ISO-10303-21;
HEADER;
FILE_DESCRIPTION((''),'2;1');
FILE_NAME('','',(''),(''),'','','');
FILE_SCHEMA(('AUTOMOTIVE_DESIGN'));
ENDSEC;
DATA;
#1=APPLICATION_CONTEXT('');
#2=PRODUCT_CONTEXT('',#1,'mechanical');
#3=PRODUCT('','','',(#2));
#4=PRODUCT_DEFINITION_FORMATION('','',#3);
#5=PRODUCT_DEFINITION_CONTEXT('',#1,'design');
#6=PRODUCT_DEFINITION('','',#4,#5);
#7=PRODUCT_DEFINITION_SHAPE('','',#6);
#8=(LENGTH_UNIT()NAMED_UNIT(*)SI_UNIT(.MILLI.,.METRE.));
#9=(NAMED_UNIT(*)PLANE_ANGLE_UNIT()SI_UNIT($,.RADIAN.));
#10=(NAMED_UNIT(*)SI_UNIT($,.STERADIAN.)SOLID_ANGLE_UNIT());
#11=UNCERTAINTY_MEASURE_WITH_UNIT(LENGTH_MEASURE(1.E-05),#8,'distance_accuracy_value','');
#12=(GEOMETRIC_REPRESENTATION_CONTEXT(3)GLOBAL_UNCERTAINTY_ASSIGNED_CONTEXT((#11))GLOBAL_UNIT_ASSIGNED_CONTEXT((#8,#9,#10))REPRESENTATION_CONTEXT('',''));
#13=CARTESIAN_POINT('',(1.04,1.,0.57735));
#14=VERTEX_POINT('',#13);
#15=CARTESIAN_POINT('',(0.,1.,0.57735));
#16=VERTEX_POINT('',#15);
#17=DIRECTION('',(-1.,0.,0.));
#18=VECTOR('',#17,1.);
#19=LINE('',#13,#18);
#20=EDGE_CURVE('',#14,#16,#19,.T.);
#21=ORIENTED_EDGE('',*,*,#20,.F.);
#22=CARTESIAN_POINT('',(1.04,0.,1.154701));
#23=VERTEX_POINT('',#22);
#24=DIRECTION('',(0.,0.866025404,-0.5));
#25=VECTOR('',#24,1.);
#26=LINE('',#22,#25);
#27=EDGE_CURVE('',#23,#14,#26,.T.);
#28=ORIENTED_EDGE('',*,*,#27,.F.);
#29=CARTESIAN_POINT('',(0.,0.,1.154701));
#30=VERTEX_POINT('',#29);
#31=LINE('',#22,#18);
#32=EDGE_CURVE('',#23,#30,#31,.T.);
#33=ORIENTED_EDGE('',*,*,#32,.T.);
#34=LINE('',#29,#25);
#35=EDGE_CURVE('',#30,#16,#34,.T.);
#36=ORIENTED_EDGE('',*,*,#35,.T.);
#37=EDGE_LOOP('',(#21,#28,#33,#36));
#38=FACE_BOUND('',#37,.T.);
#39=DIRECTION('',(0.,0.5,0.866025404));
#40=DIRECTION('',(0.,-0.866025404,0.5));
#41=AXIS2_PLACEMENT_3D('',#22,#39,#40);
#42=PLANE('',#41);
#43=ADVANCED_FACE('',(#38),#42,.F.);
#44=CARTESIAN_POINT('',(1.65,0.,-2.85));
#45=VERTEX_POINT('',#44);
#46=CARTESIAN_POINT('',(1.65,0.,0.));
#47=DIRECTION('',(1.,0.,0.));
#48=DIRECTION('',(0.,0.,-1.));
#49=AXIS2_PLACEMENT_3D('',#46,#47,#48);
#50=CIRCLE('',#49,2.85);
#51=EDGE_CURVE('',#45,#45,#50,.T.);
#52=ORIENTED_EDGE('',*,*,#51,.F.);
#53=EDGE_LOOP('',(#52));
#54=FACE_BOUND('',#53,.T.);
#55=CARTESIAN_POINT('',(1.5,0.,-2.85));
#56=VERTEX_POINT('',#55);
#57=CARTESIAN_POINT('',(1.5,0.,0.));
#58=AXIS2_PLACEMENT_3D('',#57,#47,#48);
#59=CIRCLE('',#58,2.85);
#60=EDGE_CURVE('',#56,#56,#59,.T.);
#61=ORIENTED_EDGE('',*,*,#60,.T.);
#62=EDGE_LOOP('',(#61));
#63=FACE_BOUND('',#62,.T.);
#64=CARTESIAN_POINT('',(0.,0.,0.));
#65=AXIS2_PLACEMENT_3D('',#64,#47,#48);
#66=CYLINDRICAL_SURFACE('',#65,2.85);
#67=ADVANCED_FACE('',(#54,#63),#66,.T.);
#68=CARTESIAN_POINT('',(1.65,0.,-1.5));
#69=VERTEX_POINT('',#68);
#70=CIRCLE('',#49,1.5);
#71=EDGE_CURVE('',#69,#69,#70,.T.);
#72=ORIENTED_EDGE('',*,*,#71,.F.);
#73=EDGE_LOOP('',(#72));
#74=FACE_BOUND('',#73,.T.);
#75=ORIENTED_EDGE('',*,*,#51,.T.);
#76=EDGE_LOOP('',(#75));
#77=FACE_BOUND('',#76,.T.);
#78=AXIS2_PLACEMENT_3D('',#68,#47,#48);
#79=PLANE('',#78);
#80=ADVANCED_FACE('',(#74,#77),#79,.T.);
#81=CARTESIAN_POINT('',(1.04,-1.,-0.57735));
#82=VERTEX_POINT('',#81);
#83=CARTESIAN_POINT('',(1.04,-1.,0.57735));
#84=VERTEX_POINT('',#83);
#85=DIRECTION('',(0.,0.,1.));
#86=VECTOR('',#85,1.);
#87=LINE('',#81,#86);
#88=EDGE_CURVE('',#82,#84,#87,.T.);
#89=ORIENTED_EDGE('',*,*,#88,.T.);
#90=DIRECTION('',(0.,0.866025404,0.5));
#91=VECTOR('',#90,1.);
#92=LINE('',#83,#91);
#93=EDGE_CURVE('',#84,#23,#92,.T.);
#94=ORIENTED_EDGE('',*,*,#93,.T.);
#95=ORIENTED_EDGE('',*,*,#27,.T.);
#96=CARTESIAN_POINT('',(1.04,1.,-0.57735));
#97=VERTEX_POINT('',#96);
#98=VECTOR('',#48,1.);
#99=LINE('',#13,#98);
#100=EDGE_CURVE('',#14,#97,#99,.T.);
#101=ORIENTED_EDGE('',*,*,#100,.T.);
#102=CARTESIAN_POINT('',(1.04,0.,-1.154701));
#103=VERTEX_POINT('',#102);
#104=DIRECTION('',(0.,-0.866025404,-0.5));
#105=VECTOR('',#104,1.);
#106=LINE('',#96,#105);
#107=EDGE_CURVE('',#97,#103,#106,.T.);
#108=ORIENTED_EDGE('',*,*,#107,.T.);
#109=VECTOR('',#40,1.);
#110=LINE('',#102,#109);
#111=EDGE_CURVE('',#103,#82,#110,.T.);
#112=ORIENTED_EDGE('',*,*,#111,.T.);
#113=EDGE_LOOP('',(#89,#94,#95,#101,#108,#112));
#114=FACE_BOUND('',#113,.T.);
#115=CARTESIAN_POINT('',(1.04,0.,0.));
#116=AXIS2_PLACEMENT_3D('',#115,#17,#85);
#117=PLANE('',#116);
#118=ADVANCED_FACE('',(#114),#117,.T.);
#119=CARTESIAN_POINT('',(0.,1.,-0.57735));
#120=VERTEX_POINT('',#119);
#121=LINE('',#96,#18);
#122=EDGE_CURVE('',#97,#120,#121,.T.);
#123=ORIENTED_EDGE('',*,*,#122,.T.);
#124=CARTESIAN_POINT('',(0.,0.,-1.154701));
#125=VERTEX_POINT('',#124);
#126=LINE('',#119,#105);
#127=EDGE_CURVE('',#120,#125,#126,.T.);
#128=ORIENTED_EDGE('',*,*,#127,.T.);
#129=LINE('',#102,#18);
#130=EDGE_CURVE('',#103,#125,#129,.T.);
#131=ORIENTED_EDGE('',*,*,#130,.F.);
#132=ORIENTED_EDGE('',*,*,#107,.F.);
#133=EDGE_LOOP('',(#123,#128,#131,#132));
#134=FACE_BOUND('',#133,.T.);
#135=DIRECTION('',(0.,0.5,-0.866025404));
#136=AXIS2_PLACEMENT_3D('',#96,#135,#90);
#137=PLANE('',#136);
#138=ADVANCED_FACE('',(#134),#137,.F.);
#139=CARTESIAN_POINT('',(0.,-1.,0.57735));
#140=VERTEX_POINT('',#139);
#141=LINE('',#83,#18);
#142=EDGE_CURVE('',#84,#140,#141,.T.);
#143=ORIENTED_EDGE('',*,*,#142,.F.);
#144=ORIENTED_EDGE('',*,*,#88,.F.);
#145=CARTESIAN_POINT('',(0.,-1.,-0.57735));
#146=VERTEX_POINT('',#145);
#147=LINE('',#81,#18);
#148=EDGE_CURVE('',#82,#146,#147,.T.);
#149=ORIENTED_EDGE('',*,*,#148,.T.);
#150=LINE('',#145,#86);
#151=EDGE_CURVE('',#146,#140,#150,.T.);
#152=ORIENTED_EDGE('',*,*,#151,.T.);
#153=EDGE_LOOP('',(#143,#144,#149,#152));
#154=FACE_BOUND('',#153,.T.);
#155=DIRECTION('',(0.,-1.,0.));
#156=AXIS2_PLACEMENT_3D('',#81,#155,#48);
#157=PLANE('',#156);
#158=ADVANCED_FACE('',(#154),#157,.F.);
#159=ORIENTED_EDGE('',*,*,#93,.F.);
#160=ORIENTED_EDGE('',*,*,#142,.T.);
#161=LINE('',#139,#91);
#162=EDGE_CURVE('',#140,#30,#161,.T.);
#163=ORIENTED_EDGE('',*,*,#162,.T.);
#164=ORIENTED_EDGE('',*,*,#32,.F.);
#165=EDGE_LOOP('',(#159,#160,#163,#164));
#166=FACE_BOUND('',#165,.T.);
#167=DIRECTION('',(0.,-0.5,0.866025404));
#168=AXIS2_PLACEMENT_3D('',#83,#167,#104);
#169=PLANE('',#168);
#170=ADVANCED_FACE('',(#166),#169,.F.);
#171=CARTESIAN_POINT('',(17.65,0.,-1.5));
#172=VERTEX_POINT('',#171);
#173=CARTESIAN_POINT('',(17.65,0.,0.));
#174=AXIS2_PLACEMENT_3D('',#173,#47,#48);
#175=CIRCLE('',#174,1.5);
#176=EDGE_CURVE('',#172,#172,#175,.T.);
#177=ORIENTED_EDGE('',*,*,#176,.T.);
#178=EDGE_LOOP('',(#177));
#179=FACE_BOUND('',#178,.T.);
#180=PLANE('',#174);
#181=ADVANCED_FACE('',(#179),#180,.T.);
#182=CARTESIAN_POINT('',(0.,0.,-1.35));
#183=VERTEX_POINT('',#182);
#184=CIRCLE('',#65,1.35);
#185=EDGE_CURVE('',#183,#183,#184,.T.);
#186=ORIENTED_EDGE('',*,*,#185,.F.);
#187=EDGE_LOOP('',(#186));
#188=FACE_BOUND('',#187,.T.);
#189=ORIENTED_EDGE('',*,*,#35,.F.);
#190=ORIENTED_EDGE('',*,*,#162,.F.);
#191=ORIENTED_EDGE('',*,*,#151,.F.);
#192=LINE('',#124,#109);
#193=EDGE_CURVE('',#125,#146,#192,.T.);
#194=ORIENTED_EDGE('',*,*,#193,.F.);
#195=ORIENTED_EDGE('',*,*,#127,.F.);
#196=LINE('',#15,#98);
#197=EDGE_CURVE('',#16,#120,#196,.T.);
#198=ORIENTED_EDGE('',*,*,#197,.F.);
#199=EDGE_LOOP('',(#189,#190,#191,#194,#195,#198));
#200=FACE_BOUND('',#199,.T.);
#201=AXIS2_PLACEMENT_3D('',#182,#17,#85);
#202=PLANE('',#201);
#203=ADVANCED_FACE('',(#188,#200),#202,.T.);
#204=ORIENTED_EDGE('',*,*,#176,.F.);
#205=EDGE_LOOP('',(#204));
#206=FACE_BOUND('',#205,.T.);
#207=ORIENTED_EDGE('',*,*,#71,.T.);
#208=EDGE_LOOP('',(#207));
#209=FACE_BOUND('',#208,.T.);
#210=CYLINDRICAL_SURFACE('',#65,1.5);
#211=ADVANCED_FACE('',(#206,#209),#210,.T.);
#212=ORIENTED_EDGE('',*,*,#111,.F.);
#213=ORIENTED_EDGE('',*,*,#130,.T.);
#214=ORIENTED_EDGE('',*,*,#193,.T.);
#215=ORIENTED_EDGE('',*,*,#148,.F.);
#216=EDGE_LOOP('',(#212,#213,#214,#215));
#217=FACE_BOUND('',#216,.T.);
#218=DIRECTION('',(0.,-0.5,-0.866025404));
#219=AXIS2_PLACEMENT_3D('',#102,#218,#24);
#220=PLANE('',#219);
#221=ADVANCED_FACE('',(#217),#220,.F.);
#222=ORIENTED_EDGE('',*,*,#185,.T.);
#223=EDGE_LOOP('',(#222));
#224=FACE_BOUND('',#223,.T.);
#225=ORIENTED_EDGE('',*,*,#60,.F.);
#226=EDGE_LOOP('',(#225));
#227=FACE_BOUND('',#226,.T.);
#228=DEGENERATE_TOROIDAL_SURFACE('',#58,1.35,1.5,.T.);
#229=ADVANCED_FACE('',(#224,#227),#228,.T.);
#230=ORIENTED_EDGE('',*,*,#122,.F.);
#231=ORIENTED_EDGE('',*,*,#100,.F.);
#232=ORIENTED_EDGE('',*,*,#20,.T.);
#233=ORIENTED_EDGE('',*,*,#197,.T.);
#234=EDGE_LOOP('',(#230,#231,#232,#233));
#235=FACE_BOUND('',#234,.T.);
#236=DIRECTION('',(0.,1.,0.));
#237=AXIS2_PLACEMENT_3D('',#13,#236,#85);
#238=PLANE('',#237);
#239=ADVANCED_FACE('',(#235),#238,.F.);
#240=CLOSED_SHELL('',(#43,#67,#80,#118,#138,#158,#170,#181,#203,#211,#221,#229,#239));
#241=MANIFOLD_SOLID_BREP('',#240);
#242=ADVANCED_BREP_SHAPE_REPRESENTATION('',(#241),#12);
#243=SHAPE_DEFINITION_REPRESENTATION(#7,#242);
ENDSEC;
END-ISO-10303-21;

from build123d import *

# Parameters (mm, degrees)
CUT_EXTRUDE1_DEPTH = 1.04


with BuildPart() as part:
    # Sketch1 → Revolve1 (revolve)
    with BuildSketch(Plane(origin=(0, 0, 0), x_dir=(1, 0, 0), z_dir=(0, 1, 0))):
        with BuildLine():
            Line((0, 0), (17.65, 0))
            Line((17.65, 0), (17.65, 1.5))
            Line((17.65, 1.5), (1.65, 1.5))
            Line((1.65, 1.5), (1.65, 2.85))
            Line((1.65, 2.85), (1.5, 2.85))
            ThreePointArc((1.5, 2.85), (0.439339828, 2.410660172), (0, 1.35))
            Line((0, 1.35), (0, 0))
        make_face()
    revolve(axis=Axis((0, 0, 0), (-1, 0, 0)))

    # Sketch2 → Cut-Extrude1 (cut)
    with BuildSketch(Plane.ZY):
        Polygon((1.154700538, 0), (0.577350269, 1), (-0.577350269, 1), (-1.154700538, 0), (-0.577350269, -1), (0.577350269, -1), align=None)
    extrude(amount=-CUT_EXTRUDE1_DEPTH, mode=Mode.SUBTRACT)


solid = part.part
